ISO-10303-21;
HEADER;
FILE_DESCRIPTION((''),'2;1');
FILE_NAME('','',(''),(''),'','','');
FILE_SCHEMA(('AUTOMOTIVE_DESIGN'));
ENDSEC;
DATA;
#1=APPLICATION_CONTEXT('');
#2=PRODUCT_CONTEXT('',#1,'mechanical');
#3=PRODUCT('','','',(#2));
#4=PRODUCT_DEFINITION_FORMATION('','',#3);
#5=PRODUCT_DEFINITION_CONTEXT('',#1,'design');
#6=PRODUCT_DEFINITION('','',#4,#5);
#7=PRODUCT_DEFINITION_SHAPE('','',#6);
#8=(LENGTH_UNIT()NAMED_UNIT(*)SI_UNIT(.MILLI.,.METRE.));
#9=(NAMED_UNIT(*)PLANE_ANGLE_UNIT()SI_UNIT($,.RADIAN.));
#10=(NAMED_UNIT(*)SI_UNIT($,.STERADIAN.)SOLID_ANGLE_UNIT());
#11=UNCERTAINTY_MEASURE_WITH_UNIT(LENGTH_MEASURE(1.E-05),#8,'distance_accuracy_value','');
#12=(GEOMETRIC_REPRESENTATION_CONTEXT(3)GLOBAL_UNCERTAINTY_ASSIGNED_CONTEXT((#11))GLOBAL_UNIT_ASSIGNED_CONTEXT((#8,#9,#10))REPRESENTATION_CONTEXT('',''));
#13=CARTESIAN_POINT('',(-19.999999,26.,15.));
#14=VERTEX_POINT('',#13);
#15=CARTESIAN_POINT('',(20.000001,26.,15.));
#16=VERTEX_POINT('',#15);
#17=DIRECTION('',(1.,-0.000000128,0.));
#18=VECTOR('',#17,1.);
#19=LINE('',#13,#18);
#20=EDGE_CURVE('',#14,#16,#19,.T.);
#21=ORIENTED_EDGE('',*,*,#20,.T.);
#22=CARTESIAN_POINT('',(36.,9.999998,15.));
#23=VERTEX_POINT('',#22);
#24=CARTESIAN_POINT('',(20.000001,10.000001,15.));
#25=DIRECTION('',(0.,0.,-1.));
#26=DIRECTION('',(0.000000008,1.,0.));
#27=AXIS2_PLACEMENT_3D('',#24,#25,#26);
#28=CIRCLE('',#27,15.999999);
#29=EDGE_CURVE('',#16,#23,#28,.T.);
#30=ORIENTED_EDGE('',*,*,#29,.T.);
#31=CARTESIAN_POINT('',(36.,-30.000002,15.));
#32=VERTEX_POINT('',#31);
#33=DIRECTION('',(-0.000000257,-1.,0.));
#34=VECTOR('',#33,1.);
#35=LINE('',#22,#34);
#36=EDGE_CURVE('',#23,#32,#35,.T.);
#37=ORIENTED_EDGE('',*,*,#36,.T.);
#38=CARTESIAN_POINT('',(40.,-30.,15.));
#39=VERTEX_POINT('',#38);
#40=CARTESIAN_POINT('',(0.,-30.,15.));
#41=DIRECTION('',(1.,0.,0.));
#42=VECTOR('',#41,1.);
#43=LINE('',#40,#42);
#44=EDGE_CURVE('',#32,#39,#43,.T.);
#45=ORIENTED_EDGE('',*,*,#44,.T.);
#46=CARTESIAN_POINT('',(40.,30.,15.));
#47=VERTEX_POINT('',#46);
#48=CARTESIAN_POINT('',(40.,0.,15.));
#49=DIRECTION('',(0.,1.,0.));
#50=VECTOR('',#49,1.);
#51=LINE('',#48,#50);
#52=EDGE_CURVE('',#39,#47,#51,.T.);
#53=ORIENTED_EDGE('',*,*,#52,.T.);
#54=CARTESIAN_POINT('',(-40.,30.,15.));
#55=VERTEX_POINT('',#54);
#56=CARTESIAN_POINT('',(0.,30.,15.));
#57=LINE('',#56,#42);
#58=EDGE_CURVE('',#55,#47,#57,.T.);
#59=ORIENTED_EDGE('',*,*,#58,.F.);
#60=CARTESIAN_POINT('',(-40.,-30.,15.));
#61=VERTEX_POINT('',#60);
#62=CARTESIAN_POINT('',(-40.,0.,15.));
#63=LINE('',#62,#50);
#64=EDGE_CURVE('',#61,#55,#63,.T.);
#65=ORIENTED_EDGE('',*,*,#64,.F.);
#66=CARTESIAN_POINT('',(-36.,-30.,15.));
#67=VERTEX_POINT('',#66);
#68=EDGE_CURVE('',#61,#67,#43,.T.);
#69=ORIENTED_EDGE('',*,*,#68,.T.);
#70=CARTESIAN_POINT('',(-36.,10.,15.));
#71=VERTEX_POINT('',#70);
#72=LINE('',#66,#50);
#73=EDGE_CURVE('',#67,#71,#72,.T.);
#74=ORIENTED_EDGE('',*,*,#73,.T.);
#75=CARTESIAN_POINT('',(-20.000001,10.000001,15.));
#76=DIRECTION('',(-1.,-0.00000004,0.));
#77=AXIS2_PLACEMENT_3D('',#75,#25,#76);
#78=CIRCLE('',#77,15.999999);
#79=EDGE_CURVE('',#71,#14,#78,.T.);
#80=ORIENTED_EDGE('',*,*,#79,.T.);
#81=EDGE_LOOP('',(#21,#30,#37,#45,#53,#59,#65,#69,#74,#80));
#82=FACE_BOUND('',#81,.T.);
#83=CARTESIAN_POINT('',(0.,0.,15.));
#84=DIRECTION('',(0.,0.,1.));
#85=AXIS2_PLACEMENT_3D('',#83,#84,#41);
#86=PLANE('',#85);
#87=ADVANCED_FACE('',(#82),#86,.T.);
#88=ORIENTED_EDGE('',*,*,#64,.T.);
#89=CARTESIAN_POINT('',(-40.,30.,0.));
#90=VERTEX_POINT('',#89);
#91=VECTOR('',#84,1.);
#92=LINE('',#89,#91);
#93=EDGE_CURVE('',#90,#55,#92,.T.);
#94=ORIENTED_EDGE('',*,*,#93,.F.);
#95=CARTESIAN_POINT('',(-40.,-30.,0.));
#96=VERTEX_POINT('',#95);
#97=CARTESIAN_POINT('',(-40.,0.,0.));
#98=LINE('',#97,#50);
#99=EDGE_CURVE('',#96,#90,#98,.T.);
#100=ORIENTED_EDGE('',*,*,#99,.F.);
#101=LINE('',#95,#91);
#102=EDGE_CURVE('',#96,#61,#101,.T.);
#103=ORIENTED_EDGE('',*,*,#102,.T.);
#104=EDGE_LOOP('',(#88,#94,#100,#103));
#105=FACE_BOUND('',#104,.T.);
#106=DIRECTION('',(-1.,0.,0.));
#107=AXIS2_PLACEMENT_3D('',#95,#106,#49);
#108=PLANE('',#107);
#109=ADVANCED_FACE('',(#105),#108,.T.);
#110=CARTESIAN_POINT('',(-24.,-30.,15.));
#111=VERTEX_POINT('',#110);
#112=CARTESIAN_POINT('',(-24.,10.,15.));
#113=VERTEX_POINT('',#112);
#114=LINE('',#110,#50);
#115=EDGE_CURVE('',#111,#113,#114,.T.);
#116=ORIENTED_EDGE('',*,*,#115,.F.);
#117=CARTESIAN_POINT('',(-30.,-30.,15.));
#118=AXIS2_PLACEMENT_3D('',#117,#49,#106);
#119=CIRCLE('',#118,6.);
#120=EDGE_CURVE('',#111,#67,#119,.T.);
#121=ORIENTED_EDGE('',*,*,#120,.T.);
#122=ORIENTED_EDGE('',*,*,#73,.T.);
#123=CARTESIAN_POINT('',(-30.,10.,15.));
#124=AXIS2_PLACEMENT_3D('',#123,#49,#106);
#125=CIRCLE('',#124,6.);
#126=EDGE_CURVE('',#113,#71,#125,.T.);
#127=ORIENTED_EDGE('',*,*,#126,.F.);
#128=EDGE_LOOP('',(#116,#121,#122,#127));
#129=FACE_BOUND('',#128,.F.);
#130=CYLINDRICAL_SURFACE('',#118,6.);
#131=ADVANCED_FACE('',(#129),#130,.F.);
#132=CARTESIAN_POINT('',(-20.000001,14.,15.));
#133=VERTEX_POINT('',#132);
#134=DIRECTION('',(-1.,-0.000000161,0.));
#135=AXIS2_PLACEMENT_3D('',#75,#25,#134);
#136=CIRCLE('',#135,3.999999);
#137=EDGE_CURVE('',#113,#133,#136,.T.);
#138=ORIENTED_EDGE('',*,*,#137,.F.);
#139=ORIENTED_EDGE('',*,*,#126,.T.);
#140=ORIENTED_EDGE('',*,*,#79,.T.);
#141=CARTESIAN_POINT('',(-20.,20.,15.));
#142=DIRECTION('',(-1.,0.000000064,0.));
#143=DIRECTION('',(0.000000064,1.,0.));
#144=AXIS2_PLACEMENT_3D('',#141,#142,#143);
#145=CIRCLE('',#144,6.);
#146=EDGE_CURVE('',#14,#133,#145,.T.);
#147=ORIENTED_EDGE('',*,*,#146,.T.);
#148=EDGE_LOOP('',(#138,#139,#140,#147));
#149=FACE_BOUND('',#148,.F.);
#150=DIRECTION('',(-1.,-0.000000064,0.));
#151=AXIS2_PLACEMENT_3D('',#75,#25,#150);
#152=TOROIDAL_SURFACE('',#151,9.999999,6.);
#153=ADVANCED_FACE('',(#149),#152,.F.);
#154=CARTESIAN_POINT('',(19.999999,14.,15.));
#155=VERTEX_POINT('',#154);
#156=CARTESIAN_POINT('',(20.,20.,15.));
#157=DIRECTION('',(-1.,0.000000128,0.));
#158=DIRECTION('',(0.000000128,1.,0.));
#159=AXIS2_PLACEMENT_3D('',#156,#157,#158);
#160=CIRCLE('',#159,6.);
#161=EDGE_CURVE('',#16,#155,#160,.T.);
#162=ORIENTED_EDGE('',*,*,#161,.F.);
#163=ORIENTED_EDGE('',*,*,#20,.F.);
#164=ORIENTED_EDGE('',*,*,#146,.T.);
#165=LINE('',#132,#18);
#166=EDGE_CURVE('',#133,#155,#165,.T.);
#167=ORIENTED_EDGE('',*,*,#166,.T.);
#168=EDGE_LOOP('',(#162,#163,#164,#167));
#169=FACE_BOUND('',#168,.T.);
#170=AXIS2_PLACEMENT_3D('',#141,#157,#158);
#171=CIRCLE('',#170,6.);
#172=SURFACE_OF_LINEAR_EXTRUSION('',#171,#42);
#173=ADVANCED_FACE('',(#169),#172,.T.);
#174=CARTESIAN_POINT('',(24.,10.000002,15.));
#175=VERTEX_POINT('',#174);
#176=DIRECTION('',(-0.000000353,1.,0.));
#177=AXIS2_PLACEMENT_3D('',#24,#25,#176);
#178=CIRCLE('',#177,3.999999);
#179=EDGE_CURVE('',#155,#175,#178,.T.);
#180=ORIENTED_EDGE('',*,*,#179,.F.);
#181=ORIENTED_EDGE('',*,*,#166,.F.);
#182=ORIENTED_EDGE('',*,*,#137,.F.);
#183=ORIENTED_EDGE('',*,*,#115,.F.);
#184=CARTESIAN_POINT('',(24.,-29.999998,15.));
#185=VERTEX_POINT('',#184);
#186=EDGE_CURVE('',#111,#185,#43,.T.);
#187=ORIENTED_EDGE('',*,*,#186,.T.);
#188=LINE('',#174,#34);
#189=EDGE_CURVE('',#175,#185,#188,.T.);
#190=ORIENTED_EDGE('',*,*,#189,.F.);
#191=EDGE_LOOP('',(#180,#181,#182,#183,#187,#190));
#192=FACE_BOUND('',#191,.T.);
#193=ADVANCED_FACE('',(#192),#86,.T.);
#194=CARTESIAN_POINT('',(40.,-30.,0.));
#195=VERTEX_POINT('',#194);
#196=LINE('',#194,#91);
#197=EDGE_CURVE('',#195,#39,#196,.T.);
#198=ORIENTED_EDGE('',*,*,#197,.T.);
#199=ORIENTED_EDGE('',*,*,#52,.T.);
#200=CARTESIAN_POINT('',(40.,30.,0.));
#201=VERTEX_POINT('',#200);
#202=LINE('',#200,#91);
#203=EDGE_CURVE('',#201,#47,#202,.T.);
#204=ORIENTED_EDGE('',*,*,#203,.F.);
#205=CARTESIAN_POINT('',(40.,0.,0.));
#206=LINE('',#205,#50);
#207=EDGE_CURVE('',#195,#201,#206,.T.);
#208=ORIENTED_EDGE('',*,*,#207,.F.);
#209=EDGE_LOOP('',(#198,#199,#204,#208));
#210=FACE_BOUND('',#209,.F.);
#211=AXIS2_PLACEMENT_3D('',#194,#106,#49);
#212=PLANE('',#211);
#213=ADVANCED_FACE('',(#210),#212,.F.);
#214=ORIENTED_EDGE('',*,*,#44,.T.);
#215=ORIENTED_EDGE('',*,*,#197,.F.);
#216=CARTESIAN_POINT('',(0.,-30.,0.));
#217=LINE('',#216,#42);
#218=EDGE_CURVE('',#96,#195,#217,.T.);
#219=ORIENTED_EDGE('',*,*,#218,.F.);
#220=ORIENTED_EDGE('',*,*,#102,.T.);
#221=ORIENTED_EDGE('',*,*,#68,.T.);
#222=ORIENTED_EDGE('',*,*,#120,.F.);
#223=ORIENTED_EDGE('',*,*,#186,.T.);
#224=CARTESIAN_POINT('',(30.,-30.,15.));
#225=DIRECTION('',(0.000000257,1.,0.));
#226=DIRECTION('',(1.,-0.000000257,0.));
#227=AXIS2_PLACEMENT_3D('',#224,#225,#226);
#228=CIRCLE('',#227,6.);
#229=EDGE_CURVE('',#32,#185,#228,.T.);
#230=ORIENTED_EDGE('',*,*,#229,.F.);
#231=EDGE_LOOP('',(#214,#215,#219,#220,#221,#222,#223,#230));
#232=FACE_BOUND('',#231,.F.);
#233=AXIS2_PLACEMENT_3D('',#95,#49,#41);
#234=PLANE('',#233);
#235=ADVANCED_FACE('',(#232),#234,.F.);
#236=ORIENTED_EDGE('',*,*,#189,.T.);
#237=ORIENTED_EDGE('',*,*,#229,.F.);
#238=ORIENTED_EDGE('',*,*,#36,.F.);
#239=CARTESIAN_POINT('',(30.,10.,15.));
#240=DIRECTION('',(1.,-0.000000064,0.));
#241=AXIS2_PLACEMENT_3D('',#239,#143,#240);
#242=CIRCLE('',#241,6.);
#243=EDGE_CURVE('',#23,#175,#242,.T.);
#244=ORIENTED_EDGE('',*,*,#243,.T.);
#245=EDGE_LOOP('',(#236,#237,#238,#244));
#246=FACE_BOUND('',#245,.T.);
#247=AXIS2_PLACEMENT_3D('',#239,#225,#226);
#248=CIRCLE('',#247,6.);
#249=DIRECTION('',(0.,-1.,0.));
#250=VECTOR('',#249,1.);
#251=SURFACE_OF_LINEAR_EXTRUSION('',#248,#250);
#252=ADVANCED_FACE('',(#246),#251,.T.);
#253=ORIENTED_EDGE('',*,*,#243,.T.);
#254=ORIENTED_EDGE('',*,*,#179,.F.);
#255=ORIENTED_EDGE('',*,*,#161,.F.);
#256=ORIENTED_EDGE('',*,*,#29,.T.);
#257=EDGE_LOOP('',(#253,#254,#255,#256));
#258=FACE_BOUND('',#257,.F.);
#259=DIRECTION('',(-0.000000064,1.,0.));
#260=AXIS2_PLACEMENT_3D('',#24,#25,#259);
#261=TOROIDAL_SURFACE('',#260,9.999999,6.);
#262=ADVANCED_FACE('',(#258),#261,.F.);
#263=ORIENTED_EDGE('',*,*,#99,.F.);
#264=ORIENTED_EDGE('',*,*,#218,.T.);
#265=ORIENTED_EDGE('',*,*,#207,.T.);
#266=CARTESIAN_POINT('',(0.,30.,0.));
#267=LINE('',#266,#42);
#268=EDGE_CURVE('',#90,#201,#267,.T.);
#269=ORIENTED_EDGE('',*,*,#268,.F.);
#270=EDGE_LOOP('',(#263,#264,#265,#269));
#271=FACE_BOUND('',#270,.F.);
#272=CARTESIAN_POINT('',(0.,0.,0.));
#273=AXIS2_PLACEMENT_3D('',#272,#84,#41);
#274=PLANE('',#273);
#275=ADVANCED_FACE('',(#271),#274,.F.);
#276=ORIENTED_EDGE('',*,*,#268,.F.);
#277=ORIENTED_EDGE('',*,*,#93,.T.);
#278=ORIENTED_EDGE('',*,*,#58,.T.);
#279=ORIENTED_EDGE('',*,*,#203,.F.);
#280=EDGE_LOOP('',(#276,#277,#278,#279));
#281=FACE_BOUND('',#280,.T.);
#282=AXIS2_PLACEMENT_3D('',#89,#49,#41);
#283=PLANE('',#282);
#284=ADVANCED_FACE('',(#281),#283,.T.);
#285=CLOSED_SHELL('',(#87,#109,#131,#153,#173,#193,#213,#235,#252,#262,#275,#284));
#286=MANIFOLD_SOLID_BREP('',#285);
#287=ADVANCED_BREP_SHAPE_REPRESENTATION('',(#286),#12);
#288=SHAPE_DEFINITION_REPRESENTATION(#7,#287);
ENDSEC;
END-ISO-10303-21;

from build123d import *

# Parameters (mm, degrees)
F0_W     = 80
F0_H     = 60
F1_DEPTH = 15


with BuildPart() as f1:
    # F0 (on Top) → F1 (new body)
    with BuildSketch(Plane.XY):
        Rectangle(F0_W, F0_H)
    extrude(amount=F1_DEPTH)

    # F4: sweep along a path in F2
    with BuildLine(Plane.XY.offset(15)) as f4_path:
        Line((-30, -30), (-30, 10))
        ThreePointArc((-30, 10), (-27.071068, 17.071068), (-20, 20))
        Line((-20, 20), (20, 20))
        ThreePointArc((20, 20), (27.071068, 17.071068), (30, 10))
        Line((30, 10), (30, -30))
    # F3 (on face) → F4 (sweep, cut)
    with BuildSketch(Plane.XZ.offset(30)):
        with BuildLine():
            Line((-24, 15), (-36, 15))
            ThreePointArc((-36, 15), (-30, 9), (-24, 15))
        make_face()
    sweep(path=f4_path.line, mode=Mode.SUBTRACT)


solid = f1.part
